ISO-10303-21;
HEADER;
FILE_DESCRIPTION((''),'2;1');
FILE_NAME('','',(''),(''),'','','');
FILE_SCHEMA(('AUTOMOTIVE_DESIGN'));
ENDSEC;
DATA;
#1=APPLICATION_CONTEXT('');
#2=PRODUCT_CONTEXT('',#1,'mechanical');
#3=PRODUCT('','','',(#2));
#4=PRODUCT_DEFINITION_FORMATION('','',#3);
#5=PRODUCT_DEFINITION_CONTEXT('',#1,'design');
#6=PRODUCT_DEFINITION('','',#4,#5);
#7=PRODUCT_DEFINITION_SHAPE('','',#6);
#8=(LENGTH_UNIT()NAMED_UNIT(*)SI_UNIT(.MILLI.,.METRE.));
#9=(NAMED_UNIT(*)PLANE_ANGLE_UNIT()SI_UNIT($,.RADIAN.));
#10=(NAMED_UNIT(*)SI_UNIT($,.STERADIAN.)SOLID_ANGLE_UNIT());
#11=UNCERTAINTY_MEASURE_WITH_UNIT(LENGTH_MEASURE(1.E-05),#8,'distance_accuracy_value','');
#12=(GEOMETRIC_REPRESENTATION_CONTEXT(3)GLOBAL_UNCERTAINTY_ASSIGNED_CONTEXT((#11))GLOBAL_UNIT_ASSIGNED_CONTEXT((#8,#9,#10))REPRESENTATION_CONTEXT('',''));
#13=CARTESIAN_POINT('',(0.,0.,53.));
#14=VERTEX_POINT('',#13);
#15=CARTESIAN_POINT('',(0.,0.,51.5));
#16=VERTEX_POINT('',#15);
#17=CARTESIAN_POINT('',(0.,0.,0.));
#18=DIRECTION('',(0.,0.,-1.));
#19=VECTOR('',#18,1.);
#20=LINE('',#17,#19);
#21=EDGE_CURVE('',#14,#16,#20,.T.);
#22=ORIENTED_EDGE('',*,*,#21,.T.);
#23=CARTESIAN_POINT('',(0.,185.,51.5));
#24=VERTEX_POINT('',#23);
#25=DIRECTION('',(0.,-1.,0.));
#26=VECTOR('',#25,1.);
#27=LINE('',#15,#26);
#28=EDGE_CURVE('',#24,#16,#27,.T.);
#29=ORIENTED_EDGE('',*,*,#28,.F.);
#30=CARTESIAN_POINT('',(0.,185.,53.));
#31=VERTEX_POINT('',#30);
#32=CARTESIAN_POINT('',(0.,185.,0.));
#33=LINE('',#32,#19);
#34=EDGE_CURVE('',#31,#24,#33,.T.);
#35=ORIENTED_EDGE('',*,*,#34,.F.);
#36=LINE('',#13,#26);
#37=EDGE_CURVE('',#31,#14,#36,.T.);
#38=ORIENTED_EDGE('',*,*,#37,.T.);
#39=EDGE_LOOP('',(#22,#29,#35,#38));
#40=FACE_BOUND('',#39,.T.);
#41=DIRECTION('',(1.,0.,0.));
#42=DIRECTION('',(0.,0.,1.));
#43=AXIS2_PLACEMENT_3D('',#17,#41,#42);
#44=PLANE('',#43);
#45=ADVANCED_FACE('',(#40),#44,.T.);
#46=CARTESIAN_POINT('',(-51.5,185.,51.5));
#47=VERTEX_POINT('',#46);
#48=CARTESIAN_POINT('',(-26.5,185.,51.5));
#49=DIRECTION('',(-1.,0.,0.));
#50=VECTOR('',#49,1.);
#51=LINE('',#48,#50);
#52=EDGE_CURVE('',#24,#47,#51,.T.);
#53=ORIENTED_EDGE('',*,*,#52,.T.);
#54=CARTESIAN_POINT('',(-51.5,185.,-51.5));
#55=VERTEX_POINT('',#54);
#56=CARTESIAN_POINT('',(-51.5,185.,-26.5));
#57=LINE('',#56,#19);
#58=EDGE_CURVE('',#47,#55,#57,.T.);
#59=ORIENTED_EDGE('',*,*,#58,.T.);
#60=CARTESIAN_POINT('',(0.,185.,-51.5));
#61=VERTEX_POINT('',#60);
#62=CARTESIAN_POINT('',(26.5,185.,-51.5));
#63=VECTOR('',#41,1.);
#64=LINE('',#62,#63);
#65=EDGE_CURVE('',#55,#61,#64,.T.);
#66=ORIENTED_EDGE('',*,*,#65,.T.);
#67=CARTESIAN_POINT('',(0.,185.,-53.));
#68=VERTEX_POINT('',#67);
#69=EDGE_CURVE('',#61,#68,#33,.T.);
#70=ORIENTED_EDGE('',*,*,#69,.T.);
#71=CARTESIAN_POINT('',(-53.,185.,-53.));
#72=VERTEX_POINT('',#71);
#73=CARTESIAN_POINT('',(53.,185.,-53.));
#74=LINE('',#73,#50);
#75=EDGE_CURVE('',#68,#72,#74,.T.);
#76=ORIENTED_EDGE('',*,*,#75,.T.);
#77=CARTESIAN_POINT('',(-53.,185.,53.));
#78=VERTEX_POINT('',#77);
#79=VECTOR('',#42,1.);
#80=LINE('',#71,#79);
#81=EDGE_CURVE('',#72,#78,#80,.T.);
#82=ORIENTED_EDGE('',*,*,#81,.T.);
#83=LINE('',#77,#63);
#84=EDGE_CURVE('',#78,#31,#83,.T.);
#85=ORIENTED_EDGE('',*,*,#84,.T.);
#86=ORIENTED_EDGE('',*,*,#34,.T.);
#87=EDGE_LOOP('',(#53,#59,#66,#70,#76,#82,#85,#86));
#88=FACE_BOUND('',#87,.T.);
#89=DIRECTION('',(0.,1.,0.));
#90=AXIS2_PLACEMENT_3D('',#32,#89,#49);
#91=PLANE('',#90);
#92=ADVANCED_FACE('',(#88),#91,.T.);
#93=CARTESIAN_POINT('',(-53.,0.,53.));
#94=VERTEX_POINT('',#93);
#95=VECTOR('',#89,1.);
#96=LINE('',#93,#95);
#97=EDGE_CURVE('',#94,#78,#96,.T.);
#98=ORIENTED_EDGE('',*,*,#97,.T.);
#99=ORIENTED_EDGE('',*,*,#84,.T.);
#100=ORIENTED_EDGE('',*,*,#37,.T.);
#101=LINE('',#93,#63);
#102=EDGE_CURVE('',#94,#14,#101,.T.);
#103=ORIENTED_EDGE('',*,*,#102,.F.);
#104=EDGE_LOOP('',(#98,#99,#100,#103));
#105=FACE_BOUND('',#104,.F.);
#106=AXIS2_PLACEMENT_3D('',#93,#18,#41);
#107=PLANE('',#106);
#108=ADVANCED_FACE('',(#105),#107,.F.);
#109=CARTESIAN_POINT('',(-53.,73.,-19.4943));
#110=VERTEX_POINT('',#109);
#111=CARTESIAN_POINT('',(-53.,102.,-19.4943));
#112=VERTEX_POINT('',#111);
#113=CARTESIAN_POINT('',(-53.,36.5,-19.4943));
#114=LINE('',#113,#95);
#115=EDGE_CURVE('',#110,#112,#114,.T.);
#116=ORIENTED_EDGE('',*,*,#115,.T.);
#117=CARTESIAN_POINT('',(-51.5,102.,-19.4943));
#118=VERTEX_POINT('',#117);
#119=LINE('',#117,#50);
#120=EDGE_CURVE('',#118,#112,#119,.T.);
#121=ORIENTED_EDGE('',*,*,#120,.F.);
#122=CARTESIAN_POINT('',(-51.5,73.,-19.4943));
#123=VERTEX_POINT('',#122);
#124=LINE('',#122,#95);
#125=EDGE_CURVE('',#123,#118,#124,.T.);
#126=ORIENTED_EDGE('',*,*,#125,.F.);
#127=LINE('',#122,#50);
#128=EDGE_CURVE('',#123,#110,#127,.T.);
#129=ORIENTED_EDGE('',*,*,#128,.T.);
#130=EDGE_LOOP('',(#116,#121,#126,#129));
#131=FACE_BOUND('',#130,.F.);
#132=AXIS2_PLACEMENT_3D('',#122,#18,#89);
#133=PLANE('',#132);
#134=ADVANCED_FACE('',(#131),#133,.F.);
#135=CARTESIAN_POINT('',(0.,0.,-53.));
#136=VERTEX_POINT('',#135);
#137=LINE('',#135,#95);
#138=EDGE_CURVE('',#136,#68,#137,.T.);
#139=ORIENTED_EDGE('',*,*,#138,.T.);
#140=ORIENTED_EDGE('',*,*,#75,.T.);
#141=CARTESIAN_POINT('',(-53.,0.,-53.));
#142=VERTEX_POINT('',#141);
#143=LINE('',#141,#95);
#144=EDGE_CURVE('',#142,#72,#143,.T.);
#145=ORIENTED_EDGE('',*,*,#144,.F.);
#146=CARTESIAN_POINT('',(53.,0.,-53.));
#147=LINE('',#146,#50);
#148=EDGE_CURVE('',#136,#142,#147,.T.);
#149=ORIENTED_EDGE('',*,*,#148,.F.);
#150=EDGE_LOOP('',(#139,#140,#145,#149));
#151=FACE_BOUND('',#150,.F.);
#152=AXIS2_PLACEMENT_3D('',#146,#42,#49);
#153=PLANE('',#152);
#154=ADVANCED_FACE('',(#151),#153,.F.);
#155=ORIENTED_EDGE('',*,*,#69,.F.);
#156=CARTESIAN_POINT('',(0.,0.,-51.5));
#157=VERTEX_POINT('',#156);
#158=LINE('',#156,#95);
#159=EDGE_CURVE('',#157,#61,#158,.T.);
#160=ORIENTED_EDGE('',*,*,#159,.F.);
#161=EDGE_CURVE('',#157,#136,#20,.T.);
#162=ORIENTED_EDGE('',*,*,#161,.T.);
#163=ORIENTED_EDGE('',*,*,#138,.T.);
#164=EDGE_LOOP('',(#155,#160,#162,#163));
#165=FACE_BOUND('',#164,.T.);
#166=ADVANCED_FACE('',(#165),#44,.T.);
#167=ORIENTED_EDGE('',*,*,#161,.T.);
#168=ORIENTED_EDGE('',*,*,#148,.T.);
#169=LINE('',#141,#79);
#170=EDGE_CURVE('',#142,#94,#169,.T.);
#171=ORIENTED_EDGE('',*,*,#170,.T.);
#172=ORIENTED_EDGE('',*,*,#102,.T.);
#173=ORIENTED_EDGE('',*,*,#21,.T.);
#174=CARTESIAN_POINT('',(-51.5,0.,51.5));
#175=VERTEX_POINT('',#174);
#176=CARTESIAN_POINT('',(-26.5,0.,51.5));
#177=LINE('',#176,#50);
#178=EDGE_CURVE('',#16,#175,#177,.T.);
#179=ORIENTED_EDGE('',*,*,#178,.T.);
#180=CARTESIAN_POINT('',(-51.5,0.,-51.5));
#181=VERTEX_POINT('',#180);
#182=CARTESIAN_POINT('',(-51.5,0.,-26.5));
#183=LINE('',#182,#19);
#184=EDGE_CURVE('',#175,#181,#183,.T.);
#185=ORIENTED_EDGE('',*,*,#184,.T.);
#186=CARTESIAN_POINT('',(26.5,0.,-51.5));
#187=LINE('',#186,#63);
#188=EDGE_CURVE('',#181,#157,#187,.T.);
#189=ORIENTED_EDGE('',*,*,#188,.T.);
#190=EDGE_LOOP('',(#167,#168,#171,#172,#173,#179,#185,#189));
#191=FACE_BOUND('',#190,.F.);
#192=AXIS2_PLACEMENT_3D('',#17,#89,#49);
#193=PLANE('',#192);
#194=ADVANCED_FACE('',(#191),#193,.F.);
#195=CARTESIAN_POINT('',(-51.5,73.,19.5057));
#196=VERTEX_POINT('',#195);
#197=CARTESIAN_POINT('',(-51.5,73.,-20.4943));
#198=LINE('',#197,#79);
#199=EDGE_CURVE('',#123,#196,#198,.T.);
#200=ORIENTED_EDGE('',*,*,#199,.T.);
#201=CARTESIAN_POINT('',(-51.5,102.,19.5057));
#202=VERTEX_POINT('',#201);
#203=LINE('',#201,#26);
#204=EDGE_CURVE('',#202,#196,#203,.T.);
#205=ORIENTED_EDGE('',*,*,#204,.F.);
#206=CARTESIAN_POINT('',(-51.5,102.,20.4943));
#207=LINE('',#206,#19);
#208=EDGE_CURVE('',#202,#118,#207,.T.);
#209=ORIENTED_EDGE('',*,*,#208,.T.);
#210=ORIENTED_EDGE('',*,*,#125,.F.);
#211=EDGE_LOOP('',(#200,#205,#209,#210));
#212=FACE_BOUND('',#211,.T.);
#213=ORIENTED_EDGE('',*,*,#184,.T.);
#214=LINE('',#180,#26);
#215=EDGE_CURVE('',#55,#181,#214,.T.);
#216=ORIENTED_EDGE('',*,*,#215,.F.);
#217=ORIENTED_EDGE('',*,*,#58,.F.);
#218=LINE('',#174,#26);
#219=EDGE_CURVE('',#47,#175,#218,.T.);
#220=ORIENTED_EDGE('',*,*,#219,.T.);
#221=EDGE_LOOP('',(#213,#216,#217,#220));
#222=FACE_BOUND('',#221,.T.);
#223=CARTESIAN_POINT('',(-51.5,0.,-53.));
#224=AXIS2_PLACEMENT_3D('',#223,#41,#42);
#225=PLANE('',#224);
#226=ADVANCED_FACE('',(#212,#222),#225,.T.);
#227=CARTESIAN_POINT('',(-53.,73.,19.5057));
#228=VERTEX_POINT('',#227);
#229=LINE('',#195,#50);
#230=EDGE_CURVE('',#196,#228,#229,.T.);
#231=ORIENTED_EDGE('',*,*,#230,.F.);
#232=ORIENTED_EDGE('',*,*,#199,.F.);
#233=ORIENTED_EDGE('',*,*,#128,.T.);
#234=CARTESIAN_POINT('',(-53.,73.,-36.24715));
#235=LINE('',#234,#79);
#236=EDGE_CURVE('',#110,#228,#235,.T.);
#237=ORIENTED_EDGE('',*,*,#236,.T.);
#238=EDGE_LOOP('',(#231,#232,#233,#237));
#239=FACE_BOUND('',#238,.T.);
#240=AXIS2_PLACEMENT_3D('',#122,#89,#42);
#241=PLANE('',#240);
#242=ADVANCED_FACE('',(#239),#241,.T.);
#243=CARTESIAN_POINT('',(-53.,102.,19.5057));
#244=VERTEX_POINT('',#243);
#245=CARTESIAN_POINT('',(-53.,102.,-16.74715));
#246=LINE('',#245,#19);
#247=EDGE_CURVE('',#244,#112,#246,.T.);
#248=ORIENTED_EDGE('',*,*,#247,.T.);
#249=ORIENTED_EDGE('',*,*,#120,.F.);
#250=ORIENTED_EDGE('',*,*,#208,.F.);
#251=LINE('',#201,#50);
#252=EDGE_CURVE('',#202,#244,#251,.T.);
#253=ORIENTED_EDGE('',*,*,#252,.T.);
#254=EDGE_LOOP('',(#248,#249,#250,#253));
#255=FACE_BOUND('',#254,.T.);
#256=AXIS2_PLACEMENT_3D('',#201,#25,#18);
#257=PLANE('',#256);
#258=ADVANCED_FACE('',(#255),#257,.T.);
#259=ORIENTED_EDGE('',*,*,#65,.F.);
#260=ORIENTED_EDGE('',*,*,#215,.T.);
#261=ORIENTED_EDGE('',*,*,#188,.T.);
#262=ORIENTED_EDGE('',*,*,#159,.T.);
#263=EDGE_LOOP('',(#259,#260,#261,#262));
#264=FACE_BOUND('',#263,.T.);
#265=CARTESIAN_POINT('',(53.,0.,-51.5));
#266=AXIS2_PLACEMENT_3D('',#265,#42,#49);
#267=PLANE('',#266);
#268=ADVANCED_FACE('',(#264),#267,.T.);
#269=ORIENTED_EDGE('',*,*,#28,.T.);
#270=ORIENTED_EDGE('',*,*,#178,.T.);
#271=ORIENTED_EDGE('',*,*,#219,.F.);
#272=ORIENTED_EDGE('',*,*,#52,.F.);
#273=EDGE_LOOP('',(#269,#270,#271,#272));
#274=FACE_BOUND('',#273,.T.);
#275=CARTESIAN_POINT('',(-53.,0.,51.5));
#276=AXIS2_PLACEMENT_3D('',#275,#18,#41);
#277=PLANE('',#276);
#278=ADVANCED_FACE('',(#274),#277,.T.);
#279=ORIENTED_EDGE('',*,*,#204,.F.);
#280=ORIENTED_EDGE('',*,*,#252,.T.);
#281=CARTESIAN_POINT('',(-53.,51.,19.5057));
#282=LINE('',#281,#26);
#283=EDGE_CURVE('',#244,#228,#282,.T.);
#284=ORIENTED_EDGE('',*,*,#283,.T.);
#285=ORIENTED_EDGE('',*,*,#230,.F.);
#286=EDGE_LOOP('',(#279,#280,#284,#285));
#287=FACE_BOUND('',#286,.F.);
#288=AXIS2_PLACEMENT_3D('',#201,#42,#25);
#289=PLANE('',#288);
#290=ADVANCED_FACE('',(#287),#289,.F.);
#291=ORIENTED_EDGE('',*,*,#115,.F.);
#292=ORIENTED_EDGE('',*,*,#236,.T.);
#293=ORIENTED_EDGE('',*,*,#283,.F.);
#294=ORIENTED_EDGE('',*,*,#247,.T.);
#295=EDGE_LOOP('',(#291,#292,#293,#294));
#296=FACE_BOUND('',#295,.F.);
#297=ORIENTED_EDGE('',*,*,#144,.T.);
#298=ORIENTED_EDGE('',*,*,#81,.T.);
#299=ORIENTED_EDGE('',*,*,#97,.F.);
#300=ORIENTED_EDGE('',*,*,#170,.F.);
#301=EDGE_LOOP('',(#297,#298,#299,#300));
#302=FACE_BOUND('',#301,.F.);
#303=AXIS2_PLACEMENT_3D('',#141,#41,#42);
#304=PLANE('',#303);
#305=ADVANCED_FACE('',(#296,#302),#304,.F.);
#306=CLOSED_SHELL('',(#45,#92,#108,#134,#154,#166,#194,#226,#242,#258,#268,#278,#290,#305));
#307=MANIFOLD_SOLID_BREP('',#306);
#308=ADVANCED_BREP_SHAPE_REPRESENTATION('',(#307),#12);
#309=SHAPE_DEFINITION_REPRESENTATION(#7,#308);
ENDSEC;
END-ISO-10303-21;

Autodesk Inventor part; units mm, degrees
ref_plane "YZ Plane" through (0, 0, 0) normal (1, 0, 0) x (0, 1, 0)
ref_plane "XZ Plane" through (0, 0, 0) normal (0, 1, 0) x (-1, 0, 0)
ref_plane "XY Plane" through (0, 0, 0) normal (0, 0, 1) x (1, 0, 0)
sketch "Boceto1" plane through (0, 0, 0) normal (0, 1, 0) x (-1, 0, 0)
  line L0 (-53, -53) -> (53, -53)
  line L1 (53, -53) -> (53, 53)
  line L2 (53, 53) -> (-53, 53)
  line L3 (-53, 53) -> (-53, -53)
  line L4 (-53, -53) -> (53, 53) construction
  line L5 (53, -53) -> (-53, 53) construction
  point P0 (0, 0)
  dimension "d0" = 106
  dimension "d1" = 106
extrude "Extrusión1" add sketch "Boceto1" along normal blind 185
shell "Vaciado1" thickness 1.5 removed faces 2 at (17.6667, 0, -17.6667) at (17.6667, 185, -17.6667)
split "Dividir1" plane through (0, 0, 0) removes the side toward (1, 0, 0)
sketch "Boceto2" plane through (-51.5, 0, -51.5) normal (1, 0, 0) x (0, 0, -1)
  line L0 (-71.9943, 102) -> (-31.0057, 102) projected
  line L1 (-31.0057, 102) -> (-31.0057, 73)
  line L2 (-31.0057, 102) -> (-2.0057, 102) construction
  line L3 (-31.0057, 73) -> (-71.9943, 73)
  line L4 (-71.9943, 73) -> (-71.9943, 102)
  line L5 (-31.0057, 102) -> (-32.0057, 102)
  line L6 (-32.0057, 102) -> (-71.0057, 102)
  line L7 (-71.0057, 102) -> (-71.0057, 73)
  line L8 (-71.0057, 73) -> (-32.0057, 73)
  line L9 (-32.0057, 73) -> (-32.0057, 102)
  point P0 (-51.5, 0)
  dimension "d5" = 29
  dimension "d6" = 90
  dimension "d8" = 1
  dimension "d9" = 39
  dimension "d10" = 29
extrude "Extrusión2" cut sketch "Boceto2" against normal blind 10 contours L0 L9 L3 L7
properties part number "Caja"
